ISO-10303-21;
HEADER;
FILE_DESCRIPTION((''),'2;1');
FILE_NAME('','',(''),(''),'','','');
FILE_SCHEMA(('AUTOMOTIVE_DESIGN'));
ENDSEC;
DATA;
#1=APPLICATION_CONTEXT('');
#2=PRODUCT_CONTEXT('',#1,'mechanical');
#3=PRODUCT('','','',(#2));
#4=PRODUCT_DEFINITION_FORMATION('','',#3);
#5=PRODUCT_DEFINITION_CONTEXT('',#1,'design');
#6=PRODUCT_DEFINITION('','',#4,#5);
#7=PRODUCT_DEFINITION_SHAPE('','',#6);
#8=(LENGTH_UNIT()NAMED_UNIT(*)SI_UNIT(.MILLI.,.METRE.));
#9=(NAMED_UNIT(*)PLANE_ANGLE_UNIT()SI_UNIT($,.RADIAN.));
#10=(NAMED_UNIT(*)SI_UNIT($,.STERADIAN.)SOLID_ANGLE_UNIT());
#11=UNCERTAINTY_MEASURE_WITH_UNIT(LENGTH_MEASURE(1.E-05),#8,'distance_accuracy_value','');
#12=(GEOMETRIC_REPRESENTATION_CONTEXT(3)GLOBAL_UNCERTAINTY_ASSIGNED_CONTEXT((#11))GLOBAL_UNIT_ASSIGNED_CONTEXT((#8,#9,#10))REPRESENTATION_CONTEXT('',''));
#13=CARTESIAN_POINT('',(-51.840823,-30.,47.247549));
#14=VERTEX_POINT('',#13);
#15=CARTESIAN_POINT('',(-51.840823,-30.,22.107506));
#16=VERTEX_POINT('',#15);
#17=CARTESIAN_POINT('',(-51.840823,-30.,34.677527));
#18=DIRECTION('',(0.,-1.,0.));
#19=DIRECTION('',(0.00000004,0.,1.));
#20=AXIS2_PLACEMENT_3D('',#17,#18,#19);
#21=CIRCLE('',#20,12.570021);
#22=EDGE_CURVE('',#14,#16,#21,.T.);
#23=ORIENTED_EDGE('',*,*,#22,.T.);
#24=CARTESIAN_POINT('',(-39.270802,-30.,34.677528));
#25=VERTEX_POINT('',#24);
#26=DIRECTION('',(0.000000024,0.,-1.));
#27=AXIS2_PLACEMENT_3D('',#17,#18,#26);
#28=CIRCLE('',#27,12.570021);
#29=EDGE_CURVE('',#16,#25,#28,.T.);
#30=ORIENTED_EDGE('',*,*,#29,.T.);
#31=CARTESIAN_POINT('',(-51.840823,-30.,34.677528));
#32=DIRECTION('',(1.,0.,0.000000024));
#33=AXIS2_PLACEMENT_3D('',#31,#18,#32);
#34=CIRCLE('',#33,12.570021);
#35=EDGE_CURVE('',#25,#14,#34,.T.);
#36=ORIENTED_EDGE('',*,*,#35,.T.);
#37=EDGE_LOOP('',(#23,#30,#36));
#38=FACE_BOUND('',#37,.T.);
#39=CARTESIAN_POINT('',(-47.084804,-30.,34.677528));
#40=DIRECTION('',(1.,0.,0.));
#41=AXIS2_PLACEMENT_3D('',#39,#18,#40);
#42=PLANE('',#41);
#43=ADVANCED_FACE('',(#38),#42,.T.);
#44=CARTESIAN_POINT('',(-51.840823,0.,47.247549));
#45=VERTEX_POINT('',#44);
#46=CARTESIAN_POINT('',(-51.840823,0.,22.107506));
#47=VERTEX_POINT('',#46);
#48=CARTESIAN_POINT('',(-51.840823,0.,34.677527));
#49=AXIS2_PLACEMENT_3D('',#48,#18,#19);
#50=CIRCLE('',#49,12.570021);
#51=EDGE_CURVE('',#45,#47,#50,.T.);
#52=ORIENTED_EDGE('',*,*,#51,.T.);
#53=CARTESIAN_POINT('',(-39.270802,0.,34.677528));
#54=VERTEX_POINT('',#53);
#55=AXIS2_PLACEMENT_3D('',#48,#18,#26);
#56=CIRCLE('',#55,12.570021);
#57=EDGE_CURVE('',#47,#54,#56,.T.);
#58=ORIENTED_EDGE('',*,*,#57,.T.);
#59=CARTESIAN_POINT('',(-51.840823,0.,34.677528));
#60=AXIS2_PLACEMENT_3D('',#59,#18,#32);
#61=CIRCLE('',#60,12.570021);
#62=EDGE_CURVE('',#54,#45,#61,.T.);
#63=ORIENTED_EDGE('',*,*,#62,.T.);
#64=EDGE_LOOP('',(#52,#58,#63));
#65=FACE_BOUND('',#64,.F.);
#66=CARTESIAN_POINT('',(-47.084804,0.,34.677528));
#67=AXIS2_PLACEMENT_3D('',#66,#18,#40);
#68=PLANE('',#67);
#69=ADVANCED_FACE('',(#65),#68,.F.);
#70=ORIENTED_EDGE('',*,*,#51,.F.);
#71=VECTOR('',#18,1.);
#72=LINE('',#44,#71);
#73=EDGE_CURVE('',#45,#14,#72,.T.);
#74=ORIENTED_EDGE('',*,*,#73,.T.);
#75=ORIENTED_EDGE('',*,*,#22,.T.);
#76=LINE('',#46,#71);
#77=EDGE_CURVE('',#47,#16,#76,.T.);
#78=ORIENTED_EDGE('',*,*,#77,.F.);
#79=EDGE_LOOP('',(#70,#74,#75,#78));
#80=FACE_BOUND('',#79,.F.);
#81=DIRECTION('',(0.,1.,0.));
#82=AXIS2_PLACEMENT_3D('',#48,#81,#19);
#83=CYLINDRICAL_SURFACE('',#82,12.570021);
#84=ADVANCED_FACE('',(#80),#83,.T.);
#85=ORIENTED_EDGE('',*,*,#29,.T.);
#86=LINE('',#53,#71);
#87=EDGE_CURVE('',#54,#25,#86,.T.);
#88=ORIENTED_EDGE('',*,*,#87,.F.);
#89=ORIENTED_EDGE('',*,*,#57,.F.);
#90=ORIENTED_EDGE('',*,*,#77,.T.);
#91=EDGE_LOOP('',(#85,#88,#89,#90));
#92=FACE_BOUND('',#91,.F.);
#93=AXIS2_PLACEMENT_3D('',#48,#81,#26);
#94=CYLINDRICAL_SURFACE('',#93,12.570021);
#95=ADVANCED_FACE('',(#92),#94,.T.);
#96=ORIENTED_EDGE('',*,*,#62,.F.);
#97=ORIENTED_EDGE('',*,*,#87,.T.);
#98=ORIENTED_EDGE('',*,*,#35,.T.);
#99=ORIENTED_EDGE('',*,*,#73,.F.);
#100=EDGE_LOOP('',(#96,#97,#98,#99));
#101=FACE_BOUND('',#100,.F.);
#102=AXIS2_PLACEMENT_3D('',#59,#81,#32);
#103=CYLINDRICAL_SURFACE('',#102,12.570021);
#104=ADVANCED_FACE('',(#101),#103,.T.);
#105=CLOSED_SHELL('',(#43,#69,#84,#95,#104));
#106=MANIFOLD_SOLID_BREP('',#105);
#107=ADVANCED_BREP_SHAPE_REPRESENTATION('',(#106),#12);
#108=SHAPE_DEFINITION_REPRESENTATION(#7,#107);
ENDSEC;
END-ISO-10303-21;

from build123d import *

# Parameters (mm, degrees)
F1_DEPTH = 30


with BuildPart() as f1:
    # F0 (on Front) → F1 (new body)
    with BuildSketch(Plane.XZ):
        with BuildLine():
            ThreePointArc((-51.840823, 22.107506), (-42.952476, 25.78918), (-39.270802, 34.677528))
            ThreePointArc((-39.270802, 34.677528), (-42.952476, 43.565875), (-51.840823, 47.247549))
            Line((-51.840823, 47.247549), (-51.840823, 22.107506))
        make_face()
        with BuildLine():
            Line((-51.840823, 22.107506), (-51.840823, 47.247549))
            ThreePointArc((-51.840823, 47.247549), (-64.410845, 34.677528), (-51.840823, 22.107506))
        make_face()
    extrude(amount=F1_DEPTH)


solid = f1.part
